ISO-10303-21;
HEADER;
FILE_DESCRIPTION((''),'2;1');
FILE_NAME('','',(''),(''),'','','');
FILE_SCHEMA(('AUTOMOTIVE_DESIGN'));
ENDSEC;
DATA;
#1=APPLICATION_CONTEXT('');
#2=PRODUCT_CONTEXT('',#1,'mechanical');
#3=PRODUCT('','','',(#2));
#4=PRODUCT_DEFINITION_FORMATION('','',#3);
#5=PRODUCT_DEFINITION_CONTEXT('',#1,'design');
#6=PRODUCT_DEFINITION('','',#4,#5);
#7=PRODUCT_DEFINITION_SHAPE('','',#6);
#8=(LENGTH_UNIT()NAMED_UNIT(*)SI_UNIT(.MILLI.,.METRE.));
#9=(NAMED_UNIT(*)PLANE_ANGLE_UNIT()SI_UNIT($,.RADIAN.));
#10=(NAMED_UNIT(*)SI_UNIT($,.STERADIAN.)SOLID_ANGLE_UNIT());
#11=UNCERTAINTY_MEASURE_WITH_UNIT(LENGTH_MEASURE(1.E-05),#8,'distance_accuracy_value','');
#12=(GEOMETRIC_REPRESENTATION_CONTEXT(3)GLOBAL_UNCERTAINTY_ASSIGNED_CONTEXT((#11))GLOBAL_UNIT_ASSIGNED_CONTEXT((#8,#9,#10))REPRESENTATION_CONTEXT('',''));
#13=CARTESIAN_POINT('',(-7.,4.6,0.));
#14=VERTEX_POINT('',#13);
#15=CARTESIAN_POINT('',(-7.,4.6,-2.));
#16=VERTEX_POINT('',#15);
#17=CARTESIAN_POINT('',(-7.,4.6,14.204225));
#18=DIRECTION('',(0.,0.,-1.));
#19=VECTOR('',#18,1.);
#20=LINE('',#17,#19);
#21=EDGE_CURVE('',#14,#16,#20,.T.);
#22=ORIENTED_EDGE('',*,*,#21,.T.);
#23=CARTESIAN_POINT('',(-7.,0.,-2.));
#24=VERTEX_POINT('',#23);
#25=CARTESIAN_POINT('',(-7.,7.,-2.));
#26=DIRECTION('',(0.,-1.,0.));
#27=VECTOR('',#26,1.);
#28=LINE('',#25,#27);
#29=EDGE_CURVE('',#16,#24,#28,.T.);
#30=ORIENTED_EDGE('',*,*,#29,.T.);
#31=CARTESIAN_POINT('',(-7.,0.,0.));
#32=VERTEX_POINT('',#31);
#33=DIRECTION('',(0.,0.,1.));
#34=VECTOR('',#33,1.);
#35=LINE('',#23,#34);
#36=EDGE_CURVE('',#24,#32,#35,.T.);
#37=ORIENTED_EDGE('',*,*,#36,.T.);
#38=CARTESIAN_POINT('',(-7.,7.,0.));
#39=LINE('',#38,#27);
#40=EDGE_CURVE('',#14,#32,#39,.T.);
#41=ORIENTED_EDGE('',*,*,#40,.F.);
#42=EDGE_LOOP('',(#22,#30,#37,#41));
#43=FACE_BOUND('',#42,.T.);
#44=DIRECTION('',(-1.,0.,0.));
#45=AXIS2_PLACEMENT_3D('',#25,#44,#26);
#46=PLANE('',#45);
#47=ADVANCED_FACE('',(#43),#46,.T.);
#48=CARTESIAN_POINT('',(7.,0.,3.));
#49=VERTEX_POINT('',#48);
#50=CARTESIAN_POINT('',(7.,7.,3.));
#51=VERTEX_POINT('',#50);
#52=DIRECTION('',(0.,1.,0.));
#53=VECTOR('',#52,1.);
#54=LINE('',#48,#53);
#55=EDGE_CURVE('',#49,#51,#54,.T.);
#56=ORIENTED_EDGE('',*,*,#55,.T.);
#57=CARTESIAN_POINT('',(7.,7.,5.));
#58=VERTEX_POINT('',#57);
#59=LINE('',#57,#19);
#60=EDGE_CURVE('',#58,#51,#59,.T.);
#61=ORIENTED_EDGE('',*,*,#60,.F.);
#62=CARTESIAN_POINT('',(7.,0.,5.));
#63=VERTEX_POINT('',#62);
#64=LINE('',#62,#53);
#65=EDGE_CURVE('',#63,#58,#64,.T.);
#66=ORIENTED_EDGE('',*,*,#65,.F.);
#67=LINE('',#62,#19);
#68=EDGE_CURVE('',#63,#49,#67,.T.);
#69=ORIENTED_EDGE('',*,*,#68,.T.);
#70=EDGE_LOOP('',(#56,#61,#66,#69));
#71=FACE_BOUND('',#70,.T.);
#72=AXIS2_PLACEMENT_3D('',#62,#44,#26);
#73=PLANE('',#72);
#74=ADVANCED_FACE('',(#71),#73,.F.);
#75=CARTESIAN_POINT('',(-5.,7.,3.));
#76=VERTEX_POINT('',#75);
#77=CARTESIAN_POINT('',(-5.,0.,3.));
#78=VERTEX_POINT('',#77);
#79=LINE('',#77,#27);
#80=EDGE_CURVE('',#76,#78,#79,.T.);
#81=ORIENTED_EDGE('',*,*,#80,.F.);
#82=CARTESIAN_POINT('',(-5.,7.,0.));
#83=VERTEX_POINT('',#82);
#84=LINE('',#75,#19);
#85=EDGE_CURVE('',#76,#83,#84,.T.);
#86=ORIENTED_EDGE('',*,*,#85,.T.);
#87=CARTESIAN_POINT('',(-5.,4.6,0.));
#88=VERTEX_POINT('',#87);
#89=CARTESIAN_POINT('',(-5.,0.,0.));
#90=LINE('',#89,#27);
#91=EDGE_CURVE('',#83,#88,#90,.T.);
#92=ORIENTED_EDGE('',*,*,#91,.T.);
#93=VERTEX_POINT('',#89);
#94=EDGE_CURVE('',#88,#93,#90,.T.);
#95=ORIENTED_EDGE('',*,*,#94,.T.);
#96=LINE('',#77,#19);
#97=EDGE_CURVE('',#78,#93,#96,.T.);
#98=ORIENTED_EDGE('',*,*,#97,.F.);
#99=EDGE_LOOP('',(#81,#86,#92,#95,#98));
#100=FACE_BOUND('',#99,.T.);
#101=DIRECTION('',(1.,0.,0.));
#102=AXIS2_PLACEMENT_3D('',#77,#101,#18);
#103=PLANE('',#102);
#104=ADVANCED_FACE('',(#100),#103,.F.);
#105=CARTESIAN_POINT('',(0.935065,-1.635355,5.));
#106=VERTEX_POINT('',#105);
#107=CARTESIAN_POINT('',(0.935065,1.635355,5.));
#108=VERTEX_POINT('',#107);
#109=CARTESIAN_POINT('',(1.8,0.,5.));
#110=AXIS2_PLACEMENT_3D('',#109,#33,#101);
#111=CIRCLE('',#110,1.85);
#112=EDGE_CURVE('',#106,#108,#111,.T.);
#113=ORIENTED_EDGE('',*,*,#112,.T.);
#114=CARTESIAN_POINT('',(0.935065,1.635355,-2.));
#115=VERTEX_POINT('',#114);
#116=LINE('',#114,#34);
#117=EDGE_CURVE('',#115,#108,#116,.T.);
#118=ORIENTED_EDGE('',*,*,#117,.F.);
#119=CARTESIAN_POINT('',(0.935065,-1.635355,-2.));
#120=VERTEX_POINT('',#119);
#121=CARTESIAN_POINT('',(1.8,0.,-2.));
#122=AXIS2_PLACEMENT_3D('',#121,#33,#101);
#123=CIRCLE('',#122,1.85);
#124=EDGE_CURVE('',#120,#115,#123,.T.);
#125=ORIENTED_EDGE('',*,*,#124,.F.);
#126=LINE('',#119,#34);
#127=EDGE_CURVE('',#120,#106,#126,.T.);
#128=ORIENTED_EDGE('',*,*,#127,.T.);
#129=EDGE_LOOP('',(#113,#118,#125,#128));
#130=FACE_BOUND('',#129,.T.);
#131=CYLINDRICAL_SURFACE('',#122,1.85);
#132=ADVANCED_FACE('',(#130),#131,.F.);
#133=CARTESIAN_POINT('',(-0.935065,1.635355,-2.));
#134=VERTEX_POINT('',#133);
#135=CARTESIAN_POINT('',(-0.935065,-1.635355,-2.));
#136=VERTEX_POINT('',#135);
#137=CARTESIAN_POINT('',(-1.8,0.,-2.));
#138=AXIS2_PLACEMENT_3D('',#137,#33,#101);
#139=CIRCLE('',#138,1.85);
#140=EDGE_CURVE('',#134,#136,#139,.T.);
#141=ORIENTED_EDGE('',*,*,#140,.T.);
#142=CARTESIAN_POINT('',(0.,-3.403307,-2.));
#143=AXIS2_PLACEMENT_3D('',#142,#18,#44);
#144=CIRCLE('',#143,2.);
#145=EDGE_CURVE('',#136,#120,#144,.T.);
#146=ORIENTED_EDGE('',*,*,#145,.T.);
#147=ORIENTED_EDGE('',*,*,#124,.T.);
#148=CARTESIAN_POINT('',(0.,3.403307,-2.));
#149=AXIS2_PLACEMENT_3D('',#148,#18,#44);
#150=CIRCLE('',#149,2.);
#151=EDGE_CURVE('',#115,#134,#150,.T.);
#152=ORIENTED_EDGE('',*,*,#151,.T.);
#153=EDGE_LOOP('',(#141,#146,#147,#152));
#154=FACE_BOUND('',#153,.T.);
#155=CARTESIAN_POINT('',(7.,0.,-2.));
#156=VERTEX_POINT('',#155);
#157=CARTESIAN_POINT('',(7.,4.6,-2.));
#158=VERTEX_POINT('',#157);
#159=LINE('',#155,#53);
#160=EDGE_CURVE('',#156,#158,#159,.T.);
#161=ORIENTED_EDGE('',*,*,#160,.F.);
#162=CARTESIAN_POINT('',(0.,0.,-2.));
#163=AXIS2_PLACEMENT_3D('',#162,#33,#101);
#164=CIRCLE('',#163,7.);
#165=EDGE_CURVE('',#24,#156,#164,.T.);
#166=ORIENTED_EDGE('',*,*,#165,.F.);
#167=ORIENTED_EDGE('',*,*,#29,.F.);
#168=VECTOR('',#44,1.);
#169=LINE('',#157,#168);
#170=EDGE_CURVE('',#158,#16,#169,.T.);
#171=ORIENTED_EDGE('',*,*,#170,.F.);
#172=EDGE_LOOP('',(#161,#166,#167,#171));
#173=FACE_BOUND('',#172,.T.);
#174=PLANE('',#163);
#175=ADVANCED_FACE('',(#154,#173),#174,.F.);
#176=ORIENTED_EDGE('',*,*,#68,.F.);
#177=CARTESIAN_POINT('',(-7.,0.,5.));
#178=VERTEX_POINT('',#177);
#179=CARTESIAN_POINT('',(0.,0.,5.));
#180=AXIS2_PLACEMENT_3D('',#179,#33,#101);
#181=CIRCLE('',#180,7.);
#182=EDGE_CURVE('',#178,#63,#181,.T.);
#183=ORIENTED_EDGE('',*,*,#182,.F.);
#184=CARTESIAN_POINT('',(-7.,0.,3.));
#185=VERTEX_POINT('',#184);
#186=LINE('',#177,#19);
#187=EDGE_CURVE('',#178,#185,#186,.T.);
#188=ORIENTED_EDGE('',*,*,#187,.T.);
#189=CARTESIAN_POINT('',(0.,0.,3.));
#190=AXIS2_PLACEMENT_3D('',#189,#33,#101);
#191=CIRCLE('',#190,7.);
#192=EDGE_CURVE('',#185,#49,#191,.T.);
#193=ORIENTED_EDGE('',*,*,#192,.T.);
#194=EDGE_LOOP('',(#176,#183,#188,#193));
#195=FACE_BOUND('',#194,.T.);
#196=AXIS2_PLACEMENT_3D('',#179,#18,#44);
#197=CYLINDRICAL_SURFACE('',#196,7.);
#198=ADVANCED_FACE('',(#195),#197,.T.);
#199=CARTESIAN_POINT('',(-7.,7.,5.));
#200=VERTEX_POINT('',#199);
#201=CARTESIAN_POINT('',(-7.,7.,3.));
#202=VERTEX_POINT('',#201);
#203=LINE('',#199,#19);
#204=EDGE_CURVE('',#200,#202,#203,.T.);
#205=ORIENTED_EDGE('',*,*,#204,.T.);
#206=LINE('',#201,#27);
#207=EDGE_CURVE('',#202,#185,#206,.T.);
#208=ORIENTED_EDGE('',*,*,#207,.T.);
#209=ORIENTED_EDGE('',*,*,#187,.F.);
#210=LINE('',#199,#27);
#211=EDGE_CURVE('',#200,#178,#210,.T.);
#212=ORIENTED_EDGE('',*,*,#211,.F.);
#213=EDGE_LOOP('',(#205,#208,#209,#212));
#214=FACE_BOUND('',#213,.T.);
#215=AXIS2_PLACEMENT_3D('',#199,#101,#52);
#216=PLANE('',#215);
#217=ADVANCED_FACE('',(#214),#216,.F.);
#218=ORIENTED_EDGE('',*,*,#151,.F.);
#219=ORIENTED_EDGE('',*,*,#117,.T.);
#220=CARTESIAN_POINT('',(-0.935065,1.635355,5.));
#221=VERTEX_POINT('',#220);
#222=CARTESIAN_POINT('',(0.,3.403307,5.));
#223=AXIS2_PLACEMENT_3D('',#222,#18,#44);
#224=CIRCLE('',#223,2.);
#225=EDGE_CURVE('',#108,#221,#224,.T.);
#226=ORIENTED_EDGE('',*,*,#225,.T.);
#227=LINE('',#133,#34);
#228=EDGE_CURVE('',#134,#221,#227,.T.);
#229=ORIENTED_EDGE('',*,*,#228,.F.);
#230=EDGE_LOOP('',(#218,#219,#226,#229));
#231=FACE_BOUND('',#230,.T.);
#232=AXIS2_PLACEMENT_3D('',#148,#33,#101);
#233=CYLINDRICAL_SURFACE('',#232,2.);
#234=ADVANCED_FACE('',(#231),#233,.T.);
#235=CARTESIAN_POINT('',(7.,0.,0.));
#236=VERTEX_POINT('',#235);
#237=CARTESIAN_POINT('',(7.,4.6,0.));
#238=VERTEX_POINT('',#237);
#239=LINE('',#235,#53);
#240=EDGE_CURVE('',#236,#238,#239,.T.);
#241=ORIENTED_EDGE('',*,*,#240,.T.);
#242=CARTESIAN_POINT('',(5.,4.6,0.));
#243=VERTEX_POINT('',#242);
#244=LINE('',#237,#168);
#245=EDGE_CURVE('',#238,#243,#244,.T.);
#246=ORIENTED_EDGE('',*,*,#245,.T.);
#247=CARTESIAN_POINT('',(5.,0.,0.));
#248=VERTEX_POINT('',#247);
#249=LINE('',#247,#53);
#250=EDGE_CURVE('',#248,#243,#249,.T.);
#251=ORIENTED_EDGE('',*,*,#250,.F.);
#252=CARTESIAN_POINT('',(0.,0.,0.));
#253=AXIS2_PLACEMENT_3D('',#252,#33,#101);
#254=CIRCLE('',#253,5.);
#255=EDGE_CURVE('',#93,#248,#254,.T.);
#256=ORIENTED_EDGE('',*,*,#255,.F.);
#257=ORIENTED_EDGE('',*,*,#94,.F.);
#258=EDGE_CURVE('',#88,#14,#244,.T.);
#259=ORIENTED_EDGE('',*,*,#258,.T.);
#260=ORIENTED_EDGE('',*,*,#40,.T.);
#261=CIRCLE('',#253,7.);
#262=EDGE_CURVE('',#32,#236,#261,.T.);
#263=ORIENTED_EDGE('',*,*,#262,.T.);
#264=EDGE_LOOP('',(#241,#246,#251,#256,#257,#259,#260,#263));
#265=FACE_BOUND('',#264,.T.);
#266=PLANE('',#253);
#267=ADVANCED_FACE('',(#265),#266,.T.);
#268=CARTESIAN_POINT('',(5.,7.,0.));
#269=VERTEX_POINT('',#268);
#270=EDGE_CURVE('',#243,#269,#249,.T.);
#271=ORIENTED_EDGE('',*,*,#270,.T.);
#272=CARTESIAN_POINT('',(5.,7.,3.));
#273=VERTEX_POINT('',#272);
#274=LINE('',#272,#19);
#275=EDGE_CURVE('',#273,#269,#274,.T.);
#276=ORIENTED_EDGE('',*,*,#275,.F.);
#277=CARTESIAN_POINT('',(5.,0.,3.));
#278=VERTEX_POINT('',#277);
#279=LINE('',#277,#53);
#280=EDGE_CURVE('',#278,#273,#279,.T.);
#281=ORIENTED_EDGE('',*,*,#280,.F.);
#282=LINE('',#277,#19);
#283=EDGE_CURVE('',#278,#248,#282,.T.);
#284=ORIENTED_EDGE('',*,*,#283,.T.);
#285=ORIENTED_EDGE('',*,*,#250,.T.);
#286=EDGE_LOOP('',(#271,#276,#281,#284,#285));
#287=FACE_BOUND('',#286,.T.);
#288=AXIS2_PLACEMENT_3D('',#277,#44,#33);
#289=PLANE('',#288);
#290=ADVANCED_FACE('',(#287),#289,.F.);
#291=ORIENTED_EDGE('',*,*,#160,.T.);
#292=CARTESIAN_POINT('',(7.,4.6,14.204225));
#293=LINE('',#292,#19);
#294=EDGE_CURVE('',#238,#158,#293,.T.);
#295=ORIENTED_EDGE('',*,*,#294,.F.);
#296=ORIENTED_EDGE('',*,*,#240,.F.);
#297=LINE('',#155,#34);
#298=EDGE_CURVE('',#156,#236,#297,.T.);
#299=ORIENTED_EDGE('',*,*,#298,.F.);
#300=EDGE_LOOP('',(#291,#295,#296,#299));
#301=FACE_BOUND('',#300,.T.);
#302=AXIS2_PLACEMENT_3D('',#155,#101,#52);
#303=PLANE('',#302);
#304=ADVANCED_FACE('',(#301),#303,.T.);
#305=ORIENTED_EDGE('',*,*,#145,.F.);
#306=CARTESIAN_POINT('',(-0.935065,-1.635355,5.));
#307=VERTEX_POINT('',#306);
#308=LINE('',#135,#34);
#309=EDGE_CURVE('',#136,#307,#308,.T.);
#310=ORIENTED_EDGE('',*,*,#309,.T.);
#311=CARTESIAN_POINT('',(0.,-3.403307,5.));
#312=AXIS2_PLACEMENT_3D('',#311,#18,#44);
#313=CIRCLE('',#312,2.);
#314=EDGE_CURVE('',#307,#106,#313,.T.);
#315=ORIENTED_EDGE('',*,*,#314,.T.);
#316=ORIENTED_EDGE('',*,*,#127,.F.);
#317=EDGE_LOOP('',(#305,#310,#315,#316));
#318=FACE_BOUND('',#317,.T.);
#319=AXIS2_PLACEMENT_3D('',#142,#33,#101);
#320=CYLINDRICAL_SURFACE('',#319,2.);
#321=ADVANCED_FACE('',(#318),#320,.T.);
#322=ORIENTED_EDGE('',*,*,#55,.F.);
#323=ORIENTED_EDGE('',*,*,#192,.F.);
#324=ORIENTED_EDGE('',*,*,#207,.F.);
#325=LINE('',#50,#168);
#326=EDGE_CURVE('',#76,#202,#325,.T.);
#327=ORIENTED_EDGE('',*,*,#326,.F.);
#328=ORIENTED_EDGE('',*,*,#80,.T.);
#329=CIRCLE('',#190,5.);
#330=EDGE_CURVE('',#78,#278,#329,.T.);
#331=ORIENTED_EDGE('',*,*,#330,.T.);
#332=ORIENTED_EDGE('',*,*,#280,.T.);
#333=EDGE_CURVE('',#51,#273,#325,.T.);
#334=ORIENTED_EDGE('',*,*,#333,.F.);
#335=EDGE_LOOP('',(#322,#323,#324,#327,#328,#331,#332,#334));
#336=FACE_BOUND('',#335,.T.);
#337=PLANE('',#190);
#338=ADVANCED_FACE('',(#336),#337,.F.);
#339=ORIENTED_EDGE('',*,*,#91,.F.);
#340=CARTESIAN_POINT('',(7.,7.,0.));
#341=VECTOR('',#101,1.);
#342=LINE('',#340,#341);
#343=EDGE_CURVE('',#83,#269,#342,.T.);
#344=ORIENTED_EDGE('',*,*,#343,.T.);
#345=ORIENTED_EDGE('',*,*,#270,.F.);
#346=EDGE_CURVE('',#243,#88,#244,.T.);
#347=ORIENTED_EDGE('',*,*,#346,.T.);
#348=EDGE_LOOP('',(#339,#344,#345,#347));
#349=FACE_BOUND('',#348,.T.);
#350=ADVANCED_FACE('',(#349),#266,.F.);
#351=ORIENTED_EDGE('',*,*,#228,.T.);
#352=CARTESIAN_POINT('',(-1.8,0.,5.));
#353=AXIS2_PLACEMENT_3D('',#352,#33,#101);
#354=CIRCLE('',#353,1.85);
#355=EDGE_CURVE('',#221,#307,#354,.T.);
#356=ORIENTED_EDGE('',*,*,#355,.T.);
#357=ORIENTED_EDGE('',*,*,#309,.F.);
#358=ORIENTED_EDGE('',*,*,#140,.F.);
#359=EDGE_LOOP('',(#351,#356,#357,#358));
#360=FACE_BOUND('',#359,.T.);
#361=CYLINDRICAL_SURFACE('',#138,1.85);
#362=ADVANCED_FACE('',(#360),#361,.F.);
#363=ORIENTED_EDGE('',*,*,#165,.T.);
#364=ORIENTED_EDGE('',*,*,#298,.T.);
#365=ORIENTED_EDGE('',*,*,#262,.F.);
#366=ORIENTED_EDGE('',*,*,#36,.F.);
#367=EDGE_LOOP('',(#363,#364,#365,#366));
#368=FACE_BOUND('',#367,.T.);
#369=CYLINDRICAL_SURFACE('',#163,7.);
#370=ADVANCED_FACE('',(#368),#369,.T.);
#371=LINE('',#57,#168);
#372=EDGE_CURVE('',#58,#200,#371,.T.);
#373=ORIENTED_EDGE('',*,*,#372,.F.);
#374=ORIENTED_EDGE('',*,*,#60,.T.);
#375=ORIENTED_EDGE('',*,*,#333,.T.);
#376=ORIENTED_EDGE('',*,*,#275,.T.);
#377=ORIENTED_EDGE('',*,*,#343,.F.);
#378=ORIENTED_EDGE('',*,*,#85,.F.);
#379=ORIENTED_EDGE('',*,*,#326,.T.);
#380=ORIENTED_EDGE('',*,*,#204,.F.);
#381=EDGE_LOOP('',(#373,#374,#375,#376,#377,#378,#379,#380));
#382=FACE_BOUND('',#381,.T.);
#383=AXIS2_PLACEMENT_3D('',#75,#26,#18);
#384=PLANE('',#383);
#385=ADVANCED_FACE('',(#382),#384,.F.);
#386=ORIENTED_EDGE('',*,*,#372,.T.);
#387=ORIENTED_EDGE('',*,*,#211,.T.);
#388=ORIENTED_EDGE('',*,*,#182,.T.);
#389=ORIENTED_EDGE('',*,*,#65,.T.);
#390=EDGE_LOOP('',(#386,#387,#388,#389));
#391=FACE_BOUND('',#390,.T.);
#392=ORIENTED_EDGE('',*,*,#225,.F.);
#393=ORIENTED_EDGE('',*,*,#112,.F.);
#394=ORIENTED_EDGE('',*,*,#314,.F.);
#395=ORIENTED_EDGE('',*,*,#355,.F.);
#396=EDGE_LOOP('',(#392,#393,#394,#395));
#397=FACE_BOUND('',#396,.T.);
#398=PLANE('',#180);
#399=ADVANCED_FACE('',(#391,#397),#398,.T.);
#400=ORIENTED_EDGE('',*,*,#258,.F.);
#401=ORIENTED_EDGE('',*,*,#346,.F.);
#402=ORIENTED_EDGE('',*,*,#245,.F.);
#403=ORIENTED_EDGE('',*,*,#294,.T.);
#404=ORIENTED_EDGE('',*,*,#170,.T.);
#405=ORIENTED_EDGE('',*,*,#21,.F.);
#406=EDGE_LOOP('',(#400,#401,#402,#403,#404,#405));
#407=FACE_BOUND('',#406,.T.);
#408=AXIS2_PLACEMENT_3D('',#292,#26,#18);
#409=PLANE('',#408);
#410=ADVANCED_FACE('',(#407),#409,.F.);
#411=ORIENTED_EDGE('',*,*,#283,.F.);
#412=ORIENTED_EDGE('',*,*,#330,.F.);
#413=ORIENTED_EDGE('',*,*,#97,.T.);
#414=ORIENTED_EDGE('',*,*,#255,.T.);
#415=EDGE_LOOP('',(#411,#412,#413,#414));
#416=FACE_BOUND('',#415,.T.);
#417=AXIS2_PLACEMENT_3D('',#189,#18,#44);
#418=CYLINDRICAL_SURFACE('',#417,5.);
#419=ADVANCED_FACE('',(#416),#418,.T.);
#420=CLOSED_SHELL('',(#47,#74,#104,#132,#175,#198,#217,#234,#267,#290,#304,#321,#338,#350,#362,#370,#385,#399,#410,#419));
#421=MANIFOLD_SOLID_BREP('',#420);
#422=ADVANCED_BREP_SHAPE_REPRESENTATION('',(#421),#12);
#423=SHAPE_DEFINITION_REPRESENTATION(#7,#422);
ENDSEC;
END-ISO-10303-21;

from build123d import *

# Parameters (mm, degrees)
BOSS_EXTRU_1_DEPTH           = 3
BOSS_EXTRU_2_DEPTH           = 2
BOSS_EXTRU_3_START           = 2
BOSS_EXTRU_3_DEPTH           = 2
ENL_V_MAT_EXTRU_1_DEPTH      = 12.090536506
ENL_V_MAT_EXTRU_1_DEPTH_BACK = 12.090536506
ESQUISSE5_W                  = 14
ESQUISSE5_H                  = 2.4
ENL_V_MAT_EXTRU_2_DEPTH      = 2


with BuildPart() as part:
    # Esquisse1 → Boss.-Extru.1 (new body)
    with BuildSketch(Plane.XY):
        with BuildLine():
            Line((-5, 0), (-5, 7))
            Line((-5, 7), (5, 7))
            Line((5, 7), (5, 0))
            ThreePointArc((5, 0), (0, -5), (-5, 0))
        make_face()
    extrude(amount=BOSS_EXTRU_1_DEPTH)

    # Esquisse2 → Boss.-Extru.2 (add)
    with BuildSketch(Plane.XY):
        with BuildLine():
            Line((-7, 7), (7, 7))
            Line((7, 7), (7, 0))
            ThreePointArc((7, 0), (0, -7), (-7, 0))
            Line((-7, 0), (-7, 7))
        make_face()
    extrude(amount=-BOSS_EXTRU_2_DEPTH)

    # Esquisse3 → Boss.-Extru.3 (add)
    with BuildSketch(Plane.XY.offset(3).offset(BOSS_EXTRU_3_START)):
        with BuildLine():
            Line((7, 7), (-7, 7))
            Line((-7, 7), (-7, 0))
            ThreePointArc((-7, 0), (0, -7), (7, 0))
            Line((7, 0), (7, 7))
        make_face()
    extrude(amount=-BOSS_EXTRU_3_DEPTH)

    # Esquisse4 → Enlèv. mat.-Extru.1 (cut, two sides: drawn at the far end of the back side and taken through both)
    with BuildSketch(Plane.XY.offset(-ENL_V_MAT_EXTRU_1_DEPTH_BACK)):
        with BuildLine():
            ThreePointArc((0.935064935, -1.635355415), (3.65, 0), (0.935064935, 1.635355415))
            ThreePointArc((0.935064935, 1.635355415), (0, 1.403307215), (-0.935064935, 1.635355415))
            ThreePointArc((-0.935064935, 1.635355415), (-3.65, 0), (-0.935064935, -1.635355415))
            ThreePointArc((-0.935064935, -1.635355415), (0, -1.403307215), (0.935064935, -1.635355415))
        make_face()
    extrude(amount=ENL_V_MAT_EXTRU_1_DEPTH + ENL_V_MAT_EXTRU_1_DEPTH_BACK, mode=Mode.SUBTRACT)

    # Esquisse5 → Enlèv. mat.-Extru.2 (cut)
    with BuildSketch(Plane(origin=(0, 0, -2), x_dir=(-1, 0, 0), z_dir=(0, 0, -1))):
        with Locations((0, 5.8)):
            Rectangle(ESQUISSE5_W, ESQUISSE5_H)
    extrude(amount=-ENL_V_MAT_EXTRU_2_DEPTH, mode=Mode.SUBTRACT)


solid = part.part
